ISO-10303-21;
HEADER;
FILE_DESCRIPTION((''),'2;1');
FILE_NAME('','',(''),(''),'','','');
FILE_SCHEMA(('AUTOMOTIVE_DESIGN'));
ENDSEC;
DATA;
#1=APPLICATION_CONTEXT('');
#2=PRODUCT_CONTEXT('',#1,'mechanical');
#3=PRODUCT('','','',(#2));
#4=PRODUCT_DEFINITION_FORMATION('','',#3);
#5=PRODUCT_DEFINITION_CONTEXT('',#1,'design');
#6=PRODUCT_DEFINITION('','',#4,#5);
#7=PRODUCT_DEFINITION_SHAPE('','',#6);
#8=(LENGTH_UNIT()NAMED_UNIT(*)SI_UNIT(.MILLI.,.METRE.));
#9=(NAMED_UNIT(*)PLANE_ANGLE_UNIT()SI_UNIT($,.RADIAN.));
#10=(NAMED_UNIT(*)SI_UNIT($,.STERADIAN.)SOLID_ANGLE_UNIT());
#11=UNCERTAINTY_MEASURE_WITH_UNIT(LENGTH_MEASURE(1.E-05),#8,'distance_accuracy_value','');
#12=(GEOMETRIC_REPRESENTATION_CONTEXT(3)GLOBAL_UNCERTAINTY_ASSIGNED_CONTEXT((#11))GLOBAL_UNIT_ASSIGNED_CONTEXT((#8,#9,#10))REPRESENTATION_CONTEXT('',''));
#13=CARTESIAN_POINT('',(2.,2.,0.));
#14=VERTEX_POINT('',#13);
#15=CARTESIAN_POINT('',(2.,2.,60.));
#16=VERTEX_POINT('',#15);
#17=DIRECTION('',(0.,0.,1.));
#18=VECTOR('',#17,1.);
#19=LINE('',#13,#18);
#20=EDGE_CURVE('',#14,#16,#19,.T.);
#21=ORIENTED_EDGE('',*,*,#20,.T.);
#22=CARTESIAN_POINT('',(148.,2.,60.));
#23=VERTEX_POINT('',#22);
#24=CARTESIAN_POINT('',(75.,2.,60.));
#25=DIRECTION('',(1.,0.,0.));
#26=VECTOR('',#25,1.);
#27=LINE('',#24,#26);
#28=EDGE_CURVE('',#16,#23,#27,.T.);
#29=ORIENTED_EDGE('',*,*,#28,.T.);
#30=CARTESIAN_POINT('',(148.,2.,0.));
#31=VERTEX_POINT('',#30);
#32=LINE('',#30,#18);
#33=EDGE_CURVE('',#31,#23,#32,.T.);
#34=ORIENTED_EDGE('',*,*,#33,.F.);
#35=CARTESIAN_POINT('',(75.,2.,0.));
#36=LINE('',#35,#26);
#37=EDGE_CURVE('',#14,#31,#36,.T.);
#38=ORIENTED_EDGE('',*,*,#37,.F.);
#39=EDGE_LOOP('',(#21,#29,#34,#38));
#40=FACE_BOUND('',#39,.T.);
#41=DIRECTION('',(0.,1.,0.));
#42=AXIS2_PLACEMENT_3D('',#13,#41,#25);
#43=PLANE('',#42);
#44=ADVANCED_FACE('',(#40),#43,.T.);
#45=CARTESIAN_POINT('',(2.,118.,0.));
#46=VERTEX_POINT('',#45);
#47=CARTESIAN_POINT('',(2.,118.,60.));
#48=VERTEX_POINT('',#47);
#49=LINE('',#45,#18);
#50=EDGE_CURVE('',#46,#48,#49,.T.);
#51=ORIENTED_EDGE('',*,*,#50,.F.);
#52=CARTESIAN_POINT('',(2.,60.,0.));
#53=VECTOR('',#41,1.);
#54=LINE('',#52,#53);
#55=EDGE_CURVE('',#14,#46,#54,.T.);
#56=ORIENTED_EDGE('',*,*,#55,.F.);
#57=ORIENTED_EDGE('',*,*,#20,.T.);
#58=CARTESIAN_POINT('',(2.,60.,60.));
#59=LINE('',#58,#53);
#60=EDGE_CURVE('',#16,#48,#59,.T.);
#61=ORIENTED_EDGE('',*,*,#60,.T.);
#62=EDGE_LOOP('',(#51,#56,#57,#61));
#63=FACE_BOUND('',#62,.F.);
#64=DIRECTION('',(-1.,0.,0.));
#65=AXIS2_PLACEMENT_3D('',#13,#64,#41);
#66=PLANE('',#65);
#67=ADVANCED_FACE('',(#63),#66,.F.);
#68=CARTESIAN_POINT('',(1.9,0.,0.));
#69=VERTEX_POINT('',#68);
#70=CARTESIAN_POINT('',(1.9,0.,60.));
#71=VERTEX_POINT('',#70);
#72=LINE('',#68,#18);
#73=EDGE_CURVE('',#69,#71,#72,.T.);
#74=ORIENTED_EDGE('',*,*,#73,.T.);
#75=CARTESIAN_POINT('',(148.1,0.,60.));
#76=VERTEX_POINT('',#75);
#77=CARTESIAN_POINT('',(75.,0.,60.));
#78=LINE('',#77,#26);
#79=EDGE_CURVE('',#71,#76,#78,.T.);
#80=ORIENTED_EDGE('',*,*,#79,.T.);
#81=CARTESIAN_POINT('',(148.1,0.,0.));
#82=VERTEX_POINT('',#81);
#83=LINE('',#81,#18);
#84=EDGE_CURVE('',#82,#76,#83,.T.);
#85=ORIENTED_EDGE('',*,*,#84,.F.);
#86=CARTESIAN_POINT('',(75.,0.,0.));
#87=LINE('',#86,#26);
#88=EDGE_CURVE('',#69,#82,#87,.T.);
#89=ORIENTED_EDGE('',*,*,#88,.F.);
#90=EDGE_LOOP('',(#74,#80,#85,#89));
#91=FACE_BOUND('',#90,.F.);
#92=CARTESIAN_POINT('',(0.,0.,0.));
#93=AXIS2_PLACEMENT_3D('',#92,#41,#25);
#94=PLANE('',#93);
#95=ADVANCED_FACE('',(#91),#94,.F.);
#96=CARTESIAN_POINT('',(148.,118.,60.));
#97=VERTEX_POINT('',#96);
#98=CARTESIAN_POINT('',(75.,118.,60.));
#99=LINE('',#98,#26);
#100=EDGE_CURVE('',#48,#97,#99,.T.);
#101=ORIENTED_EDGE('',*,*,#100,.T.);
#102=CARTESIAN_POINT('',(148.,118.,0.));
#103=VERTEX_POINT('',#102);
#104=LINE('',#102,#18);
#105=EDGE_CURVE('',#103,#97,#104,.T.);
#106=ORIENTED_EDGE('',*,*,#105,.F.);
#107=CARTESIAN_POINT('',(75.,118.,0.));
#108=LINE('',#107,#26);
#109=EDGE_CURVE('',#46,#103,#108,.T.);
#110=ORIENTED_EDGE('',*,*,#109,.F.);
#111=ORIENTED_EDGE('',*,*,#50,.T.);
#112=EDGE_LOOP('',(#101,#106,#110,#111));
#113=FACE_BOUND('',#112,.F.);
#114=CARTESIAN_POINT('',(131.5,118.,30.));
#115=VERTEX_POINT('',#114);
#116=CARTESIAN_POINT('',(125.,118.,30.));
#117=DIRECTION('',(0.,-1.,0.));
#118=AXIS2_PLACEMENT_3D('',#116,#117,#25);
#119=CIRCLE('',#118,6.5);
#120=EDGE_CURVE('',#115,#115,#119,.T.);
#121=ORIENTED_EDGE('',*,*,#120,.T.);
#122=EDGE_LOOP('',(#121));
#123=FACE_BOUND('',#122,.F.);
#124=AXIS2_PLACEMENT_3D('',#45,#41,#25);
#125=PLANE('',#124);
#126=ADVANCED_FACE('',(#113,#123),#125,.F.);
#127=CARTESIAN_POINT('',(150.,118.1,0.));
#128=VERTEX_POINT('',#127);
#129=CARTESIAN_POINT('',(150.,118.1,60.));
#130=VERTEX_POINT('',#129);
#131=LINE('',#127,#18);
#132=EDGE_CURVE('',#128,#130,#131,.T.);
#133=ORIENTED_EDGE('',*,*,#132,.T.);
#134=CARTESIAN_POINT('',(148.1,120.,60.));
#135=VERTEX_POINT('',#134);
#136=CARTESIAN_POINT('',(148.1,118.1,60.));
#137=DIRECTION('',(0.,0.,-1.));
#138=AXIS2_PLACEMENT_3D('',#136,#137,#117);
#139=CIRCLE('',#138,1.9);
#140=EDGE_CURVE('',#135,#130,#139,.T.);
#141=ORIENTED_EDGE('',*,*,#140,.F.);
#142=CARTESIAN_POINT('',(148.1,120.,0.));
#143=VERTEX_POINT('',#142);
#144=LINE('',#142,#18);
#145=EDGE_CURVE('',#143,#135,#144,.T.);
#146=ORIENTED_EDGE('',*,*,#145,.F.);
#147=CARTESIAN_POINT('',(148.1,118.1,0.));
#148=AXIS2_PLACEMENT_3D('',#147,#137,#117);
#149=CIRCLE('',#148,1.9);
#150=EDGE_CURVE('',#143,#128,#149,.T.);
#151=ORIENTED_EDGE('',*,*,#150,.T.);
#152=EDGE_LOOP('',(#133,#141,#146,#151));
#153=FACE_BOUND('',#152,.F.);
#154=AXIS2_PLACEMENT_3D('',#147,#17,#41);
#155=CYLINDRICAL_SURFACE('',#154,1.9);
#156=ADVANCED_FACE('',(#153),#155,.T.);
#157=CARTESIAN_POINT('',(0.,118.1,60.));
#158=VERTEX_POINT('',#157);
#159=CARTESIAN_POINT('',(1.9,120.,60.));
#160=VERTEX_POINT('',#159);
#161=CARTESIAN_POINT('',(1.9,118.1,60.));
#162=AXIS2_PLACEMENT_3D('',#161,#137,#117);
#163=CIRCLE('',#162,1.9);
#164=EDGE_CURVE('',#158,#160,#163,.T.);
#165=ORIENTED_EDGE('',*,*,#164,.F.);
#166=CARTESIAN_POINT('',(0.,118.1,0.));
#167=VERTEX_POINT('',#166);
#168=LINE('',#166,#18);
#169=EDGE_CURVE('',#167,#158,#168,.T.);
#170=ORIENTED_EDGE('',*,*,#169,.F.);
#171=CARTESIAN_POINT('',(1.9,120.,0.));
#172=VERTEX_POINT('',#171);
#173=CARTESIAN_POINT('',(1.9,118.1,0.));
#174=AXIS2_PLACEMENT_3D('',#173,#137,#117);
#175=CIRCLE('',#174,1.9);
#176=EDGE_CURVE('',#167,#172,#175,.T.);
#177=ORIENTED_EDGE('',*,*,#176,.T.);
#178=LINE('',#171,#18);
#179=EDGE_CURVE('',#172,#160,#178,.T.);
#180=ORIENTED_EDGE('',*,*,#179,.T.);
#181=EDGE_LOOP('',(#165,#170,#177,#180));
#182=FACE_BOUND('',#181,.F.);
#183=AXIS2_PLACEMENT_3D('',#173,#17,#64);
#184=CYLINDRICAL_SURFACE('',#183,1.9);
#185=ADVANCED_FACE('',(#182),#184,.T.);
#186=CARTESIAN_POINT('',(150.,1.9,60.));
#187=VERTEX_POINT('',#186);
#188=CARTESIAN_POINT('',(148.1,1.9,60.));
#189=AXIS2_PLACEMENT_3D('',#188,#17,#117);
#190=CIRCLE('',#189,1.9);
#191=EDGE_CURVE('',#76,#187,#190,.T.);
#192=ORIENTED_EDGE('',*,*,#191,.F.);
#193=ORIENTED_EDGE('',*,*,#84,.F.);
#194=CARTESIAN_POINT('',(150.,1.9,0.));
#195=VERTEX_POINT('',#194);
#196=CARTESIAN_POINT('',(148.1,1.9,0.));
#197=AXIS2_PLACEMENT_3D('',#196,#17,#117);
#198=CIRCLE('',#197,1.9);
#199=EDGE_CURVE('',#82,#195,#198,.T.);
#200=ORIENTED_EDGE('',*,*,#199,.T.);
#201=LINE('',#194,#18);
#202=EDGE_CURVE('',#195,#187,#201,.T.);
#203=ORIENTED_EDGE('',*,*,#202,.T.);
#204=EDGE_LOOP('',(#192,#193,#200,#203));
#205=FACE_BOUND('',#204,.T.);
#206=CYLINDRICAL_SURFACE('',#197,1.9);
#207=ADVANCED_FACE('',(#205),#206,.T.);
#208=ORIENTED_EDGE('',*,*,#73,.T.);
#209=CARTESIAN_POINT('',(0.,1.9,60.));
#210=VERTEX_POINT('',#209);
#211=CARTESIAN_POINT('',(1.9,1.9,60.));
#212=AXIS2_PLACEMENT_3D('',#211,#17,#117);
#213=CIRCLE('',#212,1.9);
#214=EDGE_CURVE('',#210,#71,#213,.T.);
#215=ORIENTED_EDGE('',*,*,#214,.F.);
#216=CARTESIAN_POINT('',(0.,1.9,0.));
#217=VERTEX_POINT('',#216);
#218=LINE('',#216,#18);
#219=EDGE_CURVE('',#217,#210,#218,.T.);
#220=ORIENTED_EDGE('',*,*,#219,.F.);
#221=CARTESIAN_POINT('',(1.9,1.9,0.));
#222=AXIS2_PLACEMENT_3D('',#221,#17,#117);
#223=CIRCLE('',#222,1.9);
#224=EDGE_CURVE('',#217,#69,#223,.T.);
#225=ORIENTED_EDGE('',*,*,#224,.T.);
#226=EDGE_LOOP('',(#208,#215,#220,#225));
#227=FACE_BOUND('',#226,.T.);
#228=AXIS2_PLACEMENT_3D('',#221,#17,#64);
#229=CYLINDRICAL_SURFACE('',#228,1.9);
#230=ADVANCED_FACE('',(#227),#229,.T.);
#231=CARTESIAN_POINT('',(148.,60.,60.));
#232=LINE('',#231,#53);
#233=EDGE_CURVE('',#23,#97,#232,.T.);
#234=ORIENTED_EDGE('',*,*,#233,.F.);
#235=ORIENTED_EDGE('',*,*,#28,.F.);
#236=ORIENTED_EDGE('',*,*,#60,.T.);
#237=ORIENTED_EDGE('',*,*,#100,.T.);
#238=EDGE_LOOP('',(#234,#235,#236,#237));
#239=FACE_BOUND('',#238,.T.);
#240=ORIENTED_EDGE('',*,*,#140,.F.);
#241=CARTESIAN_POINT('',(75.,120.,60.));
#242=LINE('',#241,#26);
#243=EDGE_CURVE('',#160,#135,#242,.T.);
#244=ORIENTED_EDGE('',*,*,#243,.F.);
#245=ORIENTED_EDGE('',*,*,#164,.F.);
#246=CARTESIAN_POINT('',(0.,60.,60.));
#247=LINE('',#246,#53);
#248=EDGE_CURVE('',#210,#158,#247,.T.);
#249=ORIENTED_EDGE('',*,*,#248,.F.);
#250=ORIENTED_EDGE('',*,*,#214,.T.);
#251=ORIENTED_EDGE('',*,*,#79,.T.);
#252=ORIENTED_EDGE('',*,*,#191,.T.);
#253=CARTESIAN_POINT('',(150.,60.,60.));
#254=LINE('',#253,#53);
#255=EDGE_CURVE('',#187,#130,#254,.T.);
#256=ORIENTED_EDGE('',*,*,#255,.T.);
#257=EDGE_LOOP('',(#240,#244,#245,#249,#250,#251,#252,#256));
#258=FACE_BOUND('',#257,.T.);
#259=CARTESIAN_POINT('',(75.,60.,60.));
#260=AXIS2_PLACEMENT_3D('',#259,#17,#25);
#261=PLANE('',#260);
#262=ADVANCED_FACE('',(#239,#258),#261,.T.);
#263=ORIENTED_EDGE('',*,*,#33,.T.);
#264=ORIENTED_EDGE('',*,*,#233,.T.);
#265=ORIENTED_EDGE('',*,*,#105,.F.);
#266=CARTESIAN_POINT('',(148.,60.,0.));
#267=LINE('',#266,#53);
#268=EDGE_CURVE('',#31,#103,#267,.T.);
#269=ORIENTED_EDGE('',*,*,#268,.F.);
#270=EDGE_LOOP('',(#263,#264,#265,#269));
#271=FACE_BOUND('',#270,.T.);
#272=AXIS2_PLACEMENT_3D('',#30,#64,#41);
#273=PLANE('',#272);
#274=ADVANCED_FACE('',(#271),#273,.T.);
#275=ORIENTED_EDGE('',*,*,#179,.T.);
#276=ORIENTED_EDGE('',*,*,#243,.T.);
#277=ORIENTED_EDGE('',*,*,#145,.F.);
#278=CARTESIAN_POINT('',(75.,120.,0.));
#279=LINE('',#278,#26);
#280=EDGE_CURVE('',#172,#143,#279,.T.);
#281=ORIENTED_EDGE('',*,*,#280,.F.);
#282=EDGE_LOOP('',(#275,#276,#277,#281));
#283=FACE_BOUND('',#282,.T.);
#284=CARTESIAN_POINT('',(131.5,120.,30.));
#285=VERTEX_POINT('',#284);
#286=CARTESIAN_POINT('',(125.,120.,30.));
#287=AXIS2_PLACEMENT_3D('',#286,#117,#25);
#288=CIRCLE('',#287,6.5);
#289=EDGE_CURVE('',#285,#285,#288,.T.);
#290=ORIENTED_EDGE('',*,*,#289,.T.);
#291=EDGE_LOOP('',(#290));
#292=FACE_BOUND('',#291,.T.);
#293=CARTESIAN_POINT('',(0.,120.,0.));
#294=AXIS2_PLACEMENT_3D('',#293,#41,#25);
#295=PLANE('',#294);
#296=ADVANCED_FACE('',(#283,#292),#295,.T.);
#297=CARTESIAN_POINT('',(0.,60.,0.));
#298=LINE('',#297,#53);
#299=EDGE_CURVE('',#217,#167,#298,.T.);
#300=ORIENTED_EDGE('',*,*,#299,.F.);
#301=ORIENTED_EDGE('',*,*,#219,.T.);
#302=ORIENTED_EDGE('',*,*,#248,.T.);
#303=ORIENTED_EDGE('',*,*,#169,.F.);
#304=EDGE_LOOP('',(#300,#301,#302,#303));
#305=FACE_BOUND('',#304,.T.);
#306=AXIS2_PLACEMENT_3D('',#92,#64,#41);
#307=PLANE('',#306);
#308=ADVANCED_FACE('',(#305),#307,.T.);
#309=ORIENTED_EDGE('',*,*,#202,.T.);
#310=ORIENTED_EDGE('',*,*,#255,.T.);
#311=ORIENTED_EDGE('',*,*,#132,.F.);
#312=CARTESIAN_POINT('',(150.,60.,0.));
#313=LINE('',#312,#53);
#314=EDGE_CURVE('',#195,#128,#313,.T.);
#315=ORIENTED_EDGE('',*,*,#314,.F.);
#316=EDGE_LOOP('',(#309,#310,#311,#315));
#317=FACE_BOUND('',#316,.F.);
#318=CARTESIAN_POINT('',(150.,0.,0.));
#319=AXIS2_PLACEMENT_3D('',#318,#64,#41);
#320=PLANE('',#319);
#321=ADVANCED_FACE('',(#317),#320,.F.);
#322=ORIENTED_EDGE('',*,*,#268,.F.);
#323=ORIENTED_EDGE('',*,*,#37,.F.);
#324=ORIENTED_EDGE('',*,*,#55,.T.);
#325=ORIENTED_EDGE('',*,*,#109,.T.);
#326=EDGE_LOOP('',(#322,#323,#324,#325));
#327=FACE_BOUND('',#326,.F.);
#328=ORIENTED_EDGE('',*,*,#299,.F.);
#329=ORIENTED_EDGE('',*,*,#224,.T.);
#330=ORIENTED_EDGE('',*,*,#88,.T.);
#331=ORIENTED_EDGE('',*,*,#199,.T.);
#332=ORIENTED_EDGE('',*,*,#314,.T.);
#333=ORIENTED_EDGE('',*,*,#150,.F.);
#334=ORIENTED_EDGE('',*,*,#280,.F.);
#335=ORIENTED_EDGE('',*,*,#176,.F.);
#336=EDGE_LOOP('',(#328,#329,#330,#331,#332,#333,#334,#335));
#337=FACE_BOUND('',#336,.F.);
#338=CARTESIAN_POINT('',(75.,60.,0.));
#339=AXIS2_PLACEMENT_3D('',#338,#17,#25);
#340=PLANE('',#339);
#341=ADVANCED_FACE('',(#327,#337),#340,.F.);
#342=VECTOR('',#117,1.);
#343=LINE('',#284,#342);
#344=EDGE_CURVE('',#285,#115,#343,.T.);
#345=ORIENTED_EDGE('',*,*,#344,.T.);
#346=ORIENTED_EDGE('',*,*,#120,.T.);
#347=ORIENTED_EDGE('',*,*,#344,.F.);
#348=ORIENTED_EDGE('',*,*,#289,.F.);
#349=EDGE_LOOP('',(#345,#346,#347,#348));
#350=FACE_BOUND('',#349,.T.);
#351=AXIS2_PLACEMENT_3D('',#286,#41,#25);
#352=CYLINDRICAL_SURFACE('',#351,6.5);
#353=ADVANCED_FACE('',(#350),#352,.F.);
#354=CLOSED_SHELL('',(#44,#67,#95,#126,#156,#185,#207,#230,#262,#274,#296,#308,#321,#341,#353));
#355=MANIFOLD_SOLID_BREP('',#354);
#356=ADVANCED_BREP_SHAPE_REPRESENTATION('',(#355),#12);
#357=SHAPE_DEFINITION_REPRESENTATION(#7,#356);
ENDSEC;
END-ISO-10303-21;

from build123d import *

# Parameters (mm, degrees)
SKETCH_W        = 150
SKETCH_H        = 120
PAD_DEPTH       = 60
SKETCH003_W     = 146
SKETCH003_H     = 116
POCKET_DEPTH    = 60
SKETCH004_R     = 6.5
POCKET001_DEPTH = 2
FILLET_R        = 1.9


with BuildPart() as part:
    # Sketch → Pad (new body)
    with BuildSketch(Plane.XY):
        with Locations((75, 60)):
            Rectangle(SKETCH_W, SKETCH_H)
    extrude(amount=PAD_DEPTH)

    # Sketch003 → Pocket (cut)
    with BuildSketch(Plane.XY):
        with Locations((75, 60)):
            Rectangle(SKETCH003_W, SKETCH003_H)
    extrude(amount=POCKET_DEPTH, mode=Mode.SUBTRACT)

    # Sketch004 → Pocket001 (cut)
    with BuildSketch(Plane.XZ.offset(-120)):
        with Locations((125, 30)):
            Circle(SKETCH004_R)
    extrude(amount=POCKET001_DEPTH, mode=Mode.SUBTRACT)

    # Fillet
    fillet_edges = [part.edges().sort_by_distance(p)[0] for p in [
        (150, 0, 30),
        (0, 0, 30),
        (0, 120, 30),
        (150, 120, 30),
    ]]
    fillet(fillet_edges, radius=FILLET_R)


solid = part.part
